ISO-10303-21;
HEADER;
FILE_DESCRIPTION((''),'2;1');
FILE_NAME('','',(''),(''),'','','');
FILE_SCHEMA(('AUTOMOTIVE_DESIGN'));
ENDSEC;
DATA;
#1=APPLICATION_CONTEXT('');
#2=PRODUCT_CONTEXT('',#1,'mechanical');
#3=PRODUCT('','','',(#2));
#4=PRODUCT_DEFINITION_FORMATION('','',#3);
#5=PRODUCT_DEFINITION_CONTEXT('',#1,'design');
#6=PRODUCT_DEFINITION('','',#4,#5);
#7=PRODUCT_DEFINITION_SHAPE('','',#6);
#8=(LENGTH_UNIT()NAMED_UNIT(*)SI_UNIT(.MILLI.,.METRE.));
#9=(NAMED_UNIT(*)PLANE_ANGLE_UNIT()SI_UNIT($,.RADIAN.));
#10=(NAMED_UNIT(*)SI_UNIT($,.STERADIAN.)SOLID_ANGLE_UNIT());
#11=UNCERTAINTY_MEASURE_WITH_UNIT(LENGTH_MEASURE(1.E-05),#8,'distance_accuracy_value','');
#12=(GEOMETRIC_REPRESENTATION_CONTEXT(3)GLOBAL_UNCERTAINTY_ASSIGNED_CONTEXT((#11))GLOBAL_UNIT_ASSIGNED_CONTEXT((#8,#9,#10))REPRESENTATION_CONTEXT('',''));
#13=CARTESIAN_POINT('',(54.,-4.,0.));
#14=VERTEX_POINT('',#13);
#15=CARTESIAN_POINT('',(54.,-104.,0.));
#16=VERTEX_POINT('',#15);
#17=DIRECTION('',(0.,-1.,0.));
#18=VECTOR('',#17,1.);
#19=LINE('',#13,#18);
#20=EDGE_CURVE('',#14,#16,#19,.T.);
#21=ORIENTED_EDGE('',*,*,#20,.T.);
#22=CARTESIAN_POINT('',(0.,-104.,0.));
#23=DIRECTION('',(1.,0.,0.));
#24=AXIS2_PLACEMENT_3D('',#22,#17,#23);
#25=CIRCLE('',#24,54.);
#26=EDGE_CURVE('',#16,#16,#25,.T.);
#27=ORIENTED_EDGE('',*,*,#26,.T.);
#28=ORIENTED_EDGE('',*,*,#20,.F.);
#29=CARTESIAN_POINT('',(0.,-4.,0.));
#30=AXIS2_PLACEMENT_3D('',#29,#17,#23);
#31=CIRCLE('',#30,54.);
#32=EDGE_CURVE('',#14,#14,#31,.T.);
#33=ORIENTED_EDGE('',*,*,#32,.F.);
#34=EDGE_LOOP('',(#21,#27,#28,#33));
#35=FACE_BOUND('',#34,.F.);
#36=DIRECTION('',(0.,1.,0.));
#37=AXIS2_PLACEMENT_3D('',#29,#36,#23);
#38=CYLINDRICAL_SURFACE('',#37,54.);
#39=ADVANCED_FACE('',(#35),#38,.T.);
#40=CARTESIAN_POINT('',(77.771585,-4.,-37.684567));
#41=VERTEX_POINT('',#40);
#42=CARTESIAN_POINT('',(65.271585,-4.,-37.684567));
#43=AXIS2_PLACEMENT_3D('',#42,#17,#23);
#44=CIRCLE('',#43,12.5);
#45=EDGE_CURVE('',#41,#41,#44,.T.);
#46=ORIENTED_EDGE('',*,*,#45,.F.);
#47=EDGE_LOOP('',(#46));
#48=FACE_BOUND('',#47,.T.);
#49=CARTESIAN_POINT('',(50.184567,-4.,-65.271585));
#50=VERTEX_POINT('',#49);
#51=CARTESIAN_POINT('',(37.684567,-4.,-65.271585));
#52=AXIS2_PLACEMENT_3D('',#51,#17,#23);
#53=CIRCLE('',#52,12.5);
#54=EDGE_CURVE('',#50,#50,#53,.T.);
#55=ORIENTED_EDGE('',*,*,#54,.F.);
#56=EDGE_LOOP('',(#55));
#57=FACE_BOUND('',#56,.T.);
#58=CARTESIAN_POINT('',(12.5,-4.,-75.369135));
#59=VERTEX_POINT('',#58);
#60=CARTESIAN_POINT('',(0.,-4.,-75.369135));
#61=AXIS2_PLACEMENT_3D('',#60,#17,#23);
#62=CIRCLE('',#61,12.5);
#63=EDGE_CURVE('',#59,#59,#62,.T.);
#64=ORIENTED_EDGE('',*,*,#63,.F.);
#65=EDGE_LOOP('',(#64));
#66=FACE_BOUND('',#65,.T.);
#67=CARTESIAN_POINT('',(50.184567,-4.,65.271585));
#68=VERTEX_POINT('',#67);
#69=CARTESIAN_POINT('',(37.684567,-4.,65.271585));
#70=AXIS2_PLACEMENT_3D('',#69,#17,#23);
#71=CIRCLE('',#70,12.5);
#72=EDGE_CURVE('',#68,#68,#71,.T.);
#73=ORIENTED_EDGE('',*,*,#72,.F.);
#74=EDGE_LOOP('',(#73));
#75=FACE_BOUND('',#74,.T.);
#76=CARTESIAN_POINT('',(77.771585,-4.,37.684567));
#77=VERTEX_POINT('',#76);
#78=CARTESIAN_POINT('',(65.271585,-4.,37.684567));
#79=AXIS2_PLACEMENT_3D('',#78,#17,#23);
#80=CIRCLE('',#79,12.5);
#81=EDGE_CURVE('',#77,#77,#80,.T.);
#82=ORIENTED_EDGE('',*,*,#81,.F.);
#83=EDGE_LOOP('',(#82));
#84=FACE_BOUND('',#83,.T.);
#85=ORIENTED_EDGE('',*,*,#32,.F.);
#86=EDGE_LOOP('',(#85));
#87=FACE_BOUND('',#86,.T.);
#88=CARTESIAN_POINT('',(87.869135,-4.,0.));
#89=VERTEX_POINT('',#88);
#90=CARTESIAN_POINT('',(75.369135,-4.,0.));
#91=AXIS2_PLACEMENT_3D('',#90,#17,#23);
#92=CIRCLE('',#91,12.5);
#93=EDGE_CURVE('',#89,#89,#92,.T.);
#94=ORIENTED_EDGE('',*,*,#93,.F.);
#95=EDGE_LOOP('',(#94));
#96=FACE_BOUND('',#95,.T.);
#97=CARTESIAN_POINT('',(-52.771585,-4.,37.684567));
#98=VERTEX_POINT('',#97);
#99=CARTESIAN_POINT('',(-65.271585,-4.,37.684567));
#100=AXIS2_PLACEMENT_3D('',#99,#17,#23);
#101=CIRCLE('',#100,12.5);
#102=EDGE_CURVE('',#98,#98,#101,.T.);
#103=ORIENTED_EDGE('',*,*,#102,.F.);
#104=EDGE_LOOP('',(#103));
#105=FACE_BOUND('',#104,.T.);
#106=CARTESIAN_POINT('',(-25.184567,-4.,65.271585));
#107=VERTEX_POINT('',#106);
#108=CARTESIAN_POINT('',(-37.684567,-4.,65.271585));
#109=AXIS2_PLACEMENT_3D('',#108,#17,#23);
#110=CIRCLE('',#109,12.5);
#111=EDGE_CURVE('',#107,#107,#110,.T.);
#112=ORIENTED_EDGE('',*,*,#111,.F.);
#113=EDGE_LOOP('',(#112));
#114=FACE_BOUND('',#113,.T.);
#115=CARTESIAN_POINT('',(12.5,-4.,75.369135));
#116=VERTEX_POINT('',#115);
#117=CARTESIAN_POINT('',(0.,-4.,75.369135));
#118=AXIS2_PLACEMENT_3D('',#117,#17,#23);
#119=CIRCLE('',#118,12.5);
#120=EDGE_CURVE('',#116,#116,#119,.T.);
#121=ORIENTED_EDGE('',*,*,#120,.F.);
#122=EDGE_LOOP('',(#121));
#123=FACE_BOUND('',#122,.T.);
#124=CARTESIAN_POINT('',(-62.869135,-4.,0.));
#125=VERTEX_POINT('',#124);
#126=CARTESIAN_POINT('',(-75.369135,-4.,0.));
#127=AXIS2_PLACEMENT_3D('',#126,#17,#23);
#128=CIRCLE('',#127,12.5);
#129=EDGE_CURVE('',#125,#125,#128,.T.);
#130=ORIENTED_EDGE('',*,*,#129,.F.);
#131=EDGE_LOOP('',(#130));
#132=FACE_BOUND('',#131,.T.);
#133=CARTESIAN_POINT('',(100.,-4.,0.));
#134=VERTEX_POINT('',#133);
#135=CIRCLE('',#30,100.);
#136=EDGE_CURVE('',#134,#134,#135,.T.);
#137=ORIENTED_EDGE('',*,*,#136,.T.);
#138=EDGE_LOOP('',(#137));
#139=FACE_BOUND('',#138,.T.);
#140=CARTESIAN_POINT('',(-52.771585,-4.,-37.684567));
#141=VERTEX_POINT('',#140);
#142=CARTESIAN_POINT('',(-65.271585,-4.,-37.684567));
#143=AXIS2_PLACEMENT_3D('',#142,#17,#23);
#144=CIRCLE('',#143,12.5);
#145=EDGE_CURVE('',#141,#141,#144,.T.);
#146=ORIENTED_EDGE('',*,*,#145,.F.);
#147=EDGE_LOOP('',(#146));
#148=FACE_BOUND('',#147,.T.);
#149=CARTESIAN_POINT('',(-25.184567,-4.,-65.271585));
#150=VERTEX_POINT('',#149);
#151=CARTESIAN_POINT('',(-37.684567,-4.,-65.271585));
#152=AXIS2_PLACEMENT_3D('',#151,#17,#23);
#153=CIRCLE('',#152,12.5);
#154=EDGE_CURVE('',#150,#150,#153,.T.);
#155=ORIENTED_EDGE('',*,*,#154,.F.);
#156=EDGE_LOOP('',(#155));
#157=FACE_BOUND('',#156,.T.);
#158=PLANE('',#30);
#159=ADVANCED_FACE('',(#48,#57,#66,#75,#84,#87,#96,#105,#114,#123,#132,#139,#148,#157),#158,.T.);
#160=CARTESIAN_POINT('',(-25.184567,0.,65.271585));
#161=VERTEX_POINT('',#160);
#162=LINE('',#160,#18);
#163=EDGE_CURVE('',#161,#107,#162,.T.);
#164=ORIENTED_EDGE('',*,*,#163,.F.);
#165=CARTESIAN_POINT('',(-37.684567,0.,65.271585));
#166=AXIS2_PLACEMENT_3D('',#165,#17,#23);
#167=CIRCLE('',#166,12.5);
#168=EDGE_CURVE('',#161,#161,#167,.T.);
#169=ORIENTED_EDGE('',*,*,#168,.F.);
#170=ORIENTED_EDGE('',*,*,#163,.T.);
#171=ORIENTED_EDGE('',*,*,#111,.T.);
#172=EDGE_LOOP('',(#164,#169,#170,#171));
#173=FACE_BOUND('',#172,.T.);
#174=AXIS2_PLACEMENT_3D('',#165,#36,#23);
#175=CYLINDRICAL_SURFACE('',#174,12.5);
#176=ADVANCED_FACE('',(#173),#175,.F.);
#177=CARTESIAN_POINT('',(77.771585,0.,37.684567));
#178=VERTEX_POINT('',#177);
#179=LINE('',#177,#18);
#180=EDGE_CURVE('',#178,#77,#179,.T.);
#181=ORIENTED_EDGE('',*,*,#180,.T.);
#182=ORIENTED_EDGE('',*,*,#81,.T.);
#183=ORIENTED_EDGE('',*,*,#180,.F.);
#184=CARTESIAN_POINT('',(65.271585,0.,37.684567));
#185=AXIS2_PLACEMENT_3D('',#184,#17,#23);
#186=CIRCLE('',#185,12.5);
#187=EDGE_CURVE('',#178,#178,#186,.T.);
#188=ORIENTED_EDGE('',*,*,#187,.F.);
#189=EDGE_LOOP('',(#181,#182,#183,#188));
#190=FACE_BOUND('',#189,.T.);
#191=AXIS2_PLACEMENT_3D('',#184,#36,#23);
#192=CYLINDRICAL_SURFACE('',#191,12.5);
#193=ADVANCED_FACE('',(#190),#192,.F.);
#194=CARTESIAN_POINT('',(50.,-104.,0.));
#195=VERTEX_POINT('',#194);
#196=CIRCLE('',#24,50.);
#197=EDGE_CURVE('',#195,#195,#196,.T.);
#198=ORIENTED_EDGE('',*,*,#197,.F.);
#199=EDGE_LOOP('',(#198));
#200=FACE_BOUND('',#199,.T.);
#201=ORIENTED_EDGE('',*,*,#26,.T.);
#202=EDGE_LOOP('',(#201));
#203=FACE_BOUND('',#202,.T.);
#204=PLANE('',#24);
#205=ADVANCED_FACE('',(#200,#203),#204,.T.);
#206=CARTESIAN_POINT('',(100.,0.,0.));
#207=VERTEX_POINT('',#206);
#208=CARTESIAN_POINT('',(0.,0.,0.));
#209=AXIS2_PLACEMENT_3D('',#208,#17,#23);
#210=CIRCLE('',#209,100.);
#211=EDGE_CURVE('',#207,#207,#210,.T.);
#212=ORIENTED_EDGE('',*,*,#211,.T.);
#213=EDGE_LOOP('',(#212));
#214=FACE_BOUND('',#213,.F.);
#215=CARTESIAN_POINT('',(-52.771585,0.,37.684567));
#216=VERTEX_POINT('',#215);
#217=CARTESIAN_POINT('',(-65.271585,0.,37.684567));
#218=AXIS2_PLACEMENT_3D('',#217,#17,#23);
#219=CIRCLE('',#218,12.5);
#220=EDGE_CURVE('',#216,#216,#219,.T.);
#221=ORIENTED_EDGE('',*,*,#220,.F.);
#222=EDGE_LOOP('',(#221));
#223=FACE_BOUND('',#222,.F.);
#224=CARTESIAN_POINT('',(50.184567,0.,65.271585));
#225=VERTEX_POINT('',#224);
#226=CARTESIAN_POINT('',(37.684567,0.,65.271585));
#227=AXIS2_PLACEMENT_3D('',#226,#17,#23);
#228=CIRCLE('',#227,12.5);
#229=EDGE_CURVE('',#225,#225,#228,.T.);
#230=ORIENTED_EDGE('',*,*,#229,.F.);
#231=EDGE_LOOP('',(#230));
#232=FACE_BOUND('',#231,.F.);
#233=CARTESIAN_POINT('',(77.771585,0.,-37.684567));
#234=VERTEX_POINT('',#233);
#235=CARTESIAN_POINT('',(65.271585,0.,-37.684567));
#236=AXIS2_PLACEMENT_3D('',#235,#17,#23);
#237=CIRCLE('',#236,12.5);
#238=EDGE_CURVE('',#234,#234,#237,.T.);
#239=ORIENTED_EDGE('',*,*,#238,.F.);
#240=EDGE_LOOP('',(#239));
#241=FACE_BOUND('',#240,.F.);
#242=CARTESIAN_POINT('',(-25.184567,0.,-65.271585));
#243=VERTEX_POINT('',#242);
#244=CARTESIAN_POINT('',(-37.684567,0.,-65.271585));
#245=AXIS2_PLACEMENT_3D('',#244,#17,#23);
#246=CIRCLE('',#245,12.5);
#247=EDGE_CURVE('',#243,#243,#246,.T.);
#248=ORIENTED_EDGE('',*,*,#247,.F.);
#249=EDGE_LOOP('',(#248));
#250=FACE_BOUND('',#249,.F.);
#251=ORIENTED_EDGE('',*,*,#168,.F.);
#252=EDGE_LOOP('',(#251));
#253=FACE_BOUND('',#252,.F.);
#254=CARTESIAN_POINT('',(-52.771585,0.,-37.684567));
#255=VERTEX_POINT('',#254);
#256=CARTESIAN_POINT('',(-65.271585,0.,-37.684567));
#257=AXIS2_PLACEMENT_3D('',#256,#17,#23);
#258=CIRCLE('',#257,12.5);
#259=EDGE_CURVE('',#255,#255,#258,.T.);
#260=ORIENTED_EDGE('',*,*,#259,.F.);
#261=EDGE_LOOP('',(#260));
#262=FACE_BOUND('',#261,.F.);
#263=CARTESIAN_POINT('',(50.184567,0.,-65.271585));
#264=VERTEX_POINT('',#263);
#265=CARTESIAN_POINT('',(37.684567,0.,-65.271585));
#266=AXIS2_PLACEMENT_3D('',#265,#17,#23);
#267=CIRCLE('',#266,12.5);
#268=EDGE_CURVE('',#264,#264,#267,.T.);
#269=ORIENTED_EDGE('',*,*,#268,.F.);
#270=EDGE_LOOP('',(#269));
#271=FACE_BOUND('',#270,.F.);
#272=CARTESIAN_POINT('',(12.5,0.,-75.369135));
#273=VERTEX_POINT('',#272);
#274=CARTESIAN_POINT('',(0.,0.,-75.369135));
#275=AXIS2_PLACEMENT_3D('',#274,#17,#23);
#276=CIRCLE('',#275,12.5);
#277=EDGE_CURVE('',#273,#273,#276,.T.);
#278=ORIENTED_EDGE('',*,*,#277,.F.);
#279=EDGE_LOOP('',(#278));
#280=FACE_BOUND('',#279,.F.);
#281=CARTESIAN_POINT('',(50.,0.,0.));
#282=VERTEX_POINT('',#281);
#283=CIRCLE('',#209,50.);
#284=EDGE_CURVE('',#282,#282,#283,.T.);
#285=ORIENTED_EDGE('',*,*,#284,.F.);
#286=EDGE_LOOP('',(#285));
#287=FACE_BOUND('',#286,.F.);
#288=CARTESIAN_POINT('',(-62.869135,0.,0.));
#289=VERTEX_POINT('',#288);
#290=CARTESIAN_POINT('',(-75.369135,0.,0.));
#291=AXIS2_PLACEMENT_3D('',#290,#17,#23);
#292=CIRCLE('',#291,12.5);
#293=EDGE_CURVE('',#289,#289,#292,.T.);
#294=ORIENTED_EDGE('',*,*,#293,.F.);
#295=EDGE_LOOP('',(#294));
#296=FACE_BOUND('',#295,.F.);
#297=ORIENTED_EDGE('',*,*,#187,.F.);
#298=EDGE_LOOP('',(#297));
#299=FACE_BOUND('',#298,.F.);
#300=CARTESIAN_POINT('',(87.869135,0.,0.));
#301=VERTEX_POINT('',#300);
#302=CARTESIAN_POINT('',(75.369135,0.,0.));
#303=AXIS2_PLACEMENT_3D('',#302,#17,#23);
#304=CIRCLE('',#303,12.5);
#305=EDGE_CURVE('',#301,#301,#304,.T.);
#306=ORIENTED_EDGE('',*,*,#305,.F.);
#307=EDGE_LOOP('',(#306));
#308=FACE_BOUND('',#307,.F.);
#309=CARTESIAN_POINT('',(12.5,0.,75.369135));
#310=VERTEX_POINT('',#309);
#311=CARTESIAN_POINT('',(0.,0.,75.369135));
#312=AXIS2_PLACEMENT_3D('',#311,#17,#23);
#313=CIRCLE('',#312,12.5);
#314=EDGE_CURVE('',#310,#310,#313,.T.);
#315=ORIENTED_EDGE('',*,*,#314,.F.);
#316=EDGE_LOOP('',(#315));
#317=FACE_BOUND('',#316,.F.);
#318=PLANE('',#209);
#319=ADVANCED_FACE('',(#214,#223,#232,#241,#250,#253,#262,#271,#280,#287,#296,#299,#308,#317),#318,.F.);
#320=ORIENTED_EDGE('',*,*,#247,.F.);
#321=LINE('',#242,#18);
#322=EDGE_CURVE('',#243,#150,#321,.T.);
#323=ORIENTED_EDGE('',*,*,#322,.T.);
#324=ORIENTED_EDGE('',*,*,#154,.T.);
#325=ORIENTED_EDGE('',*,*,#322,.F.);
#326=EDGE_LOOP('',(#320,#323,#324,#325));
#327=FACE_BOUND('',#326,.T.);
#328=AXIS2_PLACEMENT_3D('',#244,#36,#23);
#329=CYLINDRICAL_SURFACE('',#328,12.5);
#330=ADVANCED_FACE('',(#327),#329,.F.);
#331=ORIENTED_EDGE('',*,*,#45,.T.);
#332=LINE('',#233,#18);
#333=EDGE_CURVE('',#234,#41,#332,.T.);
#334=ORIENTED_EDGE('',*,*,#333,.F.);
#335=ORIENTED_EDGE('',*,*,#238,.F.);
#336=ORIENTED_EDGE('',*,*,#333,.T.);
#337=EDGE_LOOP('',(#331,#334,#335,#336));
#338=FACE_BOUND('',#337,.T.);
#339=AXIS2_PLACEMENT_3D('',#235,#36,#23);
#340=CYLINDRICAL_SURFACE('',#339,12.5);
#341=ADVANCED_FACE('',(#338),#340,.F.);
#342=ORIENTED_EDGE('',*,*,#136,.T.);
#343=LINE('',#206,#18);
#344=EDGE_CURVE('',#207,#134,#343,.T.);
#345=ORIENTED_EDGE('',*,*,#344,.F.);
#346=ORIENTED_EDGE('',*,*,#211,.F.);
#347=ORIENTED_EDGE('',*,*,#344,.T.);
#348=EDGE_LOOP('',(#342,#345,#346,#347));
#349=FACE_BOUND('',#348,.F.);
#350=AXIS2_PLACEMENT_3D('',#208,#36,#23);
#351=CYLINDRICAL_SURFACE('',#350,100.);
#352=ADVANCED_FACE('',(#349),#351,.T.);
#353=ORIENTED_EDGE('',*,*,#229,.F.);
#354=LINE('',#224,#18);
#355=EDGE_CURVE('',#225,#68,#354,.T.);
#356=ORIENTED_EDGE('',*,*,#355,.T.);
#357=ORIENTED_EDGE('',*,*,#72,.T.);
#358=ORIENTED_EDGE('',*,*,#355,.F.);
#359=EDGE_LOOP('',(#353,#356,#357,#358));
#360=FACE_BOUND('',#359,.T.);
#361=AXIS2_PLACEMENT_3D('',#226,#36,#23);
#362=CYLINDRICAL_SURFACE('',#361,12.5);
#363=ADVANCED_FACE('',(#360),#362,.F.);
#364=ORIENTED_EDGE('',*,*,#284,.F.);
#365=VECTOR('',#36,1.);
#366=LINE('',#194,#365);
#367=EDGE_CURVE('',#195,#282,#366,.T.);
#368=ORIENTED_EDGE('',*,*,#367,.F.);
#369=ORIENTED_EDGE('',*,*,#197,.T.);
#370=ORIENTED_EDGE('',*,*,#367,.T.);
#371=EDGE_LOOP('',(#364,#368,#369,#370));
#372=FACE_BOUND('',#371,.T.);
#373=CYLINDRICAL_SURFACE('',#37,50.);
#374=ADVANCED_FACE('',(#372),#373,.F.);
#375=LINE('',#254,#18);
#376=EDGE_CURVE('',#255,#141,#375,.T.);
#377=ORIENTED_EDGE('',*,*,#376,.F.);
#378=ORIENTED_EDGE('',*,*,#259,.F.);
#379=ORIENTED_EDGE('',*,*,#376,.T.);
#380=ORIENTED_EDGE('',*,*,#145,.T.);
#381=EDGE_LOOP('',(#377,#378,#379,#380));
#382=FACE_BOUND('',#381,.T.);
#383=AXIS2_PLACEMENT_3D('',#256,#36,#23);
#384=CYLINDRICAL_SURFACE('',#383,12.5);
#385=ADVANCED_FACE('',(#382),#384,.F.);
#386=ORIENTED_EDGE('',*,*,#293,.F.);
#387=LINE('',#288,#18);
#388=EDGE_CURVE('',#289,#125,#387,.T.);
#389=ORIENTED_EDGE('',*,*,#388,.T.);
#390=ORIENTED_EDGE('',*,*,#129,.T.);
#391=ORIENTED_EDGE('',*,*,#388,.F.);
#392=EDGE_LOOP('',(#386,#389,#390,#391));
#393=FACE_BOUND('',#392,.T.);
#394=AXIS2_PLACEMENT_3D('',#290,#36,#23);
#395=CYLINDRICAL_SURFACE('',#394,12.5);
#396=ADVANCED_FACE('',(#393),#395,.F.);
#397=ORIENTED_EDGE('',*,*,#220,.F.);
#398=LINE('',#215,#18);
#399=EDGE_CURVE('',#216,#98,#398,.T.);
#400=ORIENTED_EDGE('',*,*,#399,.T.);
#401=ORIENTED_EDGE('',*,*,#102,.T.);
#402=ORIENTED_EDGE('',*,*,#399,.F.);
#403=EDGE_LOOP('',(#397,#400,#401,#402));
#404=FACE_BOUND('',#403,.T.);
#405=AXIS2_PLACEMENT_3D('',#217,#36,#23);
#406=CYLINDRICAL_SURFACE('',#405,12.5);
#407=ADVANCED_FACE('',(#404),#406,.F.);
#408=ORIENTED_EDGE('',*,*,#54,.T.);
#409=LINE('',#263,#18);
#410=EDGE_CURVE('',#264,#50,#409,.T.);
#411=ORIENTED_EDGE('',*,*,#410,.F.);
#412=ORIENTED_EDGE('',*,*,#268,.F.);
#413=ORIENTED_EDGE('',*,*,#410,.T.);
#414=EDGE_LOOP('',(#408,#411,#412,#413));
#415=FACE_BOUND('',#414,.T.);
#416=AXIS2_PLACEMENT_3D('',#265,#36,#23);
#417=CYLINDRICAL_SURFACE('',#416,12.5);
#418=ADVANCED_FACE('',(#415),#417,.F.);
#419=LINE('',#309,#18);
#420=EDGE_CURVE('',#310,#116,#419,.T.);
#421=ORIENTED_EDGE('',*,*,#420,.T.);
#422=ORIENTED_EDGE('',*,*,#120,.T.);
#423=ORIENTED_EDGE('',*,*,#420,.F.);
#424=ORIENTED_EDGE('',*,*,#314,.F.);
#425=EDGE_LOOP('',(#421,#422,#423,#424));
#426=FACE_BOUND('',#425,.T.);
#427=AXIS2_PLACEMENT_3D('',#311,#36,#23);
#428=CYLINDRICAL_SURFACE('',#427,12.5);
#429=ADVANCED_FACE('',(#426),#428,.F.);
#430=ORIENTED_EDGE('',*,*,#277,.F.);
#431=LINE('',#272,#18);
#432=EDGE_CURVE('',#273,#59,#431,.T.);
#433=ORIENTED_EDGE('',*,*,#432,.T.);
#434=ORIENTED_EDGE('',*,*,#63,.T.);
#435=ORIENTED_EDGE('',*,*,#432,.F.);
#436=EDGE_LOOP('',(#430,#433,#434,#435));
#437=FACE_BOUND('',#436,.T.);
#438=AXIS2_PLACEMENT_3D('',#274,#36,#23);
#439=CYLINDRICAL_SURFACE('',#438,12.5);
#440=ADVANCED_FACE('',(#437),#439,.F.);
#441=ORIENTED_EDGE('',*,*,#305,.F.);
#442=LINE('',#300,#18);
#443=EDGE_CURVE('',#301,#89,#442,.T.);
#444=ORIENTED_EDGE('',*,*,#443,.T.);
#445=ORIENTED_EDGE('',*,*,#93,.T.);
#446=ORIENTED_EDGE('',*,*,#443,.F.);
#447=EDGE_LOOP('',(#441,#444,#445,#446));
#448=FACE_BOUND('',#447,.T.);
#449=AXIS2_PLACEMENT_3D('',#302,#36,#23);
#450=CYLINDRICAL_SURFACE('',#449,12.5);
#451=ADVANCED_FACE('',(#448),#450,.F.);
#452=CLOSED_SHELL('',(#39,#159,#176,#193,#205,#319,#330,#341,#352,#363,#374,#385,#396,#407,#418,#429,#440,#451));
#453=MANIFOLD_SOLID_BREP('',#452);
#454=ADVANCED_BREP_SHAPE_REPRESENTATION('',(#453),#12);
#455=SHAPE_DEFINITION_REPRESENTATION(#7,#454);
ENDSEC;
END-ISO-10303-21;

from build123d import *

# Parameters (mm, degrees)
F0_R     = 100
F0_R_2   = 12.5
F0_R_3   = 50
F1_DEPTH = 4
F2_R     = 54
F2_R_2   = 50
F3_DEPTH = 100


with BuildPart() as f1:
    # F0 (on Front) → F1 (new body)
    with BuildSketch(Plane.XZ):
        Circle(F0_R)
        with Locations((-37.684567, -65.271585)):
            Circle(F0_R_2, mode=Mode.SUBTRACT)
        with Locations((-65.271585, -37.684567)):
            Circle(F0_R_2, mode=Mode.SUBTRACT)
        with Locations((0, -75.369135)):
            Circle(F0_R_2, mode=Mode.SUBTRACT)
        with Locations((37.684567, -65.271585)):
            Circle(F0_R_2, mode=Mode.SUBTRACT)
        with Locations((65.271585, -37.684567)):
            Circle(F0_R_2, mode=Mode.SUBTRACT)
        with Locations((-75.369135, 0)):
            Circle(F0_R_2, mode=Mode.SUBTRACT)
        with Locations((-65.271585, 37.684567)):
            Circle(F0_R_2, mode=Mode.SUBTRACT)
        with Locations((-37.684567, 65.271585)):
            Circle(F0_R_2, mode=Mode.SUBTRACT)
        Circle(F0_R_3, mode=Mode.SUBTRACT)
        with Locations((75.369135, 0)):
            Circle(F0_R_2, mode=Mode.SUBTRACT)
        with Locations((65.271585, 37.684567)):
            Circle(F0_R_2, mode=Mode.SUBTRACT)
        with Locations((37.684567, 65.271585)):
            Circle(F0_R_2, mode=Mode.SUBTRACT)
        with Locations((0, 75.369135)):
            Circle(F0_R_2, mode=Mode.SUBTRACT)
    extrude(amount=F1_DEPTH)

    # F2 (on face) → F3 (join)
    with BuildSketch(Plane.XZ.offset(4)):
        Circle(F2_R)
        Circle(F2_R_2, mode=Mode.SUBTRACT)
    extrude(amount=F3_DEPTH)


solid = f1.part
